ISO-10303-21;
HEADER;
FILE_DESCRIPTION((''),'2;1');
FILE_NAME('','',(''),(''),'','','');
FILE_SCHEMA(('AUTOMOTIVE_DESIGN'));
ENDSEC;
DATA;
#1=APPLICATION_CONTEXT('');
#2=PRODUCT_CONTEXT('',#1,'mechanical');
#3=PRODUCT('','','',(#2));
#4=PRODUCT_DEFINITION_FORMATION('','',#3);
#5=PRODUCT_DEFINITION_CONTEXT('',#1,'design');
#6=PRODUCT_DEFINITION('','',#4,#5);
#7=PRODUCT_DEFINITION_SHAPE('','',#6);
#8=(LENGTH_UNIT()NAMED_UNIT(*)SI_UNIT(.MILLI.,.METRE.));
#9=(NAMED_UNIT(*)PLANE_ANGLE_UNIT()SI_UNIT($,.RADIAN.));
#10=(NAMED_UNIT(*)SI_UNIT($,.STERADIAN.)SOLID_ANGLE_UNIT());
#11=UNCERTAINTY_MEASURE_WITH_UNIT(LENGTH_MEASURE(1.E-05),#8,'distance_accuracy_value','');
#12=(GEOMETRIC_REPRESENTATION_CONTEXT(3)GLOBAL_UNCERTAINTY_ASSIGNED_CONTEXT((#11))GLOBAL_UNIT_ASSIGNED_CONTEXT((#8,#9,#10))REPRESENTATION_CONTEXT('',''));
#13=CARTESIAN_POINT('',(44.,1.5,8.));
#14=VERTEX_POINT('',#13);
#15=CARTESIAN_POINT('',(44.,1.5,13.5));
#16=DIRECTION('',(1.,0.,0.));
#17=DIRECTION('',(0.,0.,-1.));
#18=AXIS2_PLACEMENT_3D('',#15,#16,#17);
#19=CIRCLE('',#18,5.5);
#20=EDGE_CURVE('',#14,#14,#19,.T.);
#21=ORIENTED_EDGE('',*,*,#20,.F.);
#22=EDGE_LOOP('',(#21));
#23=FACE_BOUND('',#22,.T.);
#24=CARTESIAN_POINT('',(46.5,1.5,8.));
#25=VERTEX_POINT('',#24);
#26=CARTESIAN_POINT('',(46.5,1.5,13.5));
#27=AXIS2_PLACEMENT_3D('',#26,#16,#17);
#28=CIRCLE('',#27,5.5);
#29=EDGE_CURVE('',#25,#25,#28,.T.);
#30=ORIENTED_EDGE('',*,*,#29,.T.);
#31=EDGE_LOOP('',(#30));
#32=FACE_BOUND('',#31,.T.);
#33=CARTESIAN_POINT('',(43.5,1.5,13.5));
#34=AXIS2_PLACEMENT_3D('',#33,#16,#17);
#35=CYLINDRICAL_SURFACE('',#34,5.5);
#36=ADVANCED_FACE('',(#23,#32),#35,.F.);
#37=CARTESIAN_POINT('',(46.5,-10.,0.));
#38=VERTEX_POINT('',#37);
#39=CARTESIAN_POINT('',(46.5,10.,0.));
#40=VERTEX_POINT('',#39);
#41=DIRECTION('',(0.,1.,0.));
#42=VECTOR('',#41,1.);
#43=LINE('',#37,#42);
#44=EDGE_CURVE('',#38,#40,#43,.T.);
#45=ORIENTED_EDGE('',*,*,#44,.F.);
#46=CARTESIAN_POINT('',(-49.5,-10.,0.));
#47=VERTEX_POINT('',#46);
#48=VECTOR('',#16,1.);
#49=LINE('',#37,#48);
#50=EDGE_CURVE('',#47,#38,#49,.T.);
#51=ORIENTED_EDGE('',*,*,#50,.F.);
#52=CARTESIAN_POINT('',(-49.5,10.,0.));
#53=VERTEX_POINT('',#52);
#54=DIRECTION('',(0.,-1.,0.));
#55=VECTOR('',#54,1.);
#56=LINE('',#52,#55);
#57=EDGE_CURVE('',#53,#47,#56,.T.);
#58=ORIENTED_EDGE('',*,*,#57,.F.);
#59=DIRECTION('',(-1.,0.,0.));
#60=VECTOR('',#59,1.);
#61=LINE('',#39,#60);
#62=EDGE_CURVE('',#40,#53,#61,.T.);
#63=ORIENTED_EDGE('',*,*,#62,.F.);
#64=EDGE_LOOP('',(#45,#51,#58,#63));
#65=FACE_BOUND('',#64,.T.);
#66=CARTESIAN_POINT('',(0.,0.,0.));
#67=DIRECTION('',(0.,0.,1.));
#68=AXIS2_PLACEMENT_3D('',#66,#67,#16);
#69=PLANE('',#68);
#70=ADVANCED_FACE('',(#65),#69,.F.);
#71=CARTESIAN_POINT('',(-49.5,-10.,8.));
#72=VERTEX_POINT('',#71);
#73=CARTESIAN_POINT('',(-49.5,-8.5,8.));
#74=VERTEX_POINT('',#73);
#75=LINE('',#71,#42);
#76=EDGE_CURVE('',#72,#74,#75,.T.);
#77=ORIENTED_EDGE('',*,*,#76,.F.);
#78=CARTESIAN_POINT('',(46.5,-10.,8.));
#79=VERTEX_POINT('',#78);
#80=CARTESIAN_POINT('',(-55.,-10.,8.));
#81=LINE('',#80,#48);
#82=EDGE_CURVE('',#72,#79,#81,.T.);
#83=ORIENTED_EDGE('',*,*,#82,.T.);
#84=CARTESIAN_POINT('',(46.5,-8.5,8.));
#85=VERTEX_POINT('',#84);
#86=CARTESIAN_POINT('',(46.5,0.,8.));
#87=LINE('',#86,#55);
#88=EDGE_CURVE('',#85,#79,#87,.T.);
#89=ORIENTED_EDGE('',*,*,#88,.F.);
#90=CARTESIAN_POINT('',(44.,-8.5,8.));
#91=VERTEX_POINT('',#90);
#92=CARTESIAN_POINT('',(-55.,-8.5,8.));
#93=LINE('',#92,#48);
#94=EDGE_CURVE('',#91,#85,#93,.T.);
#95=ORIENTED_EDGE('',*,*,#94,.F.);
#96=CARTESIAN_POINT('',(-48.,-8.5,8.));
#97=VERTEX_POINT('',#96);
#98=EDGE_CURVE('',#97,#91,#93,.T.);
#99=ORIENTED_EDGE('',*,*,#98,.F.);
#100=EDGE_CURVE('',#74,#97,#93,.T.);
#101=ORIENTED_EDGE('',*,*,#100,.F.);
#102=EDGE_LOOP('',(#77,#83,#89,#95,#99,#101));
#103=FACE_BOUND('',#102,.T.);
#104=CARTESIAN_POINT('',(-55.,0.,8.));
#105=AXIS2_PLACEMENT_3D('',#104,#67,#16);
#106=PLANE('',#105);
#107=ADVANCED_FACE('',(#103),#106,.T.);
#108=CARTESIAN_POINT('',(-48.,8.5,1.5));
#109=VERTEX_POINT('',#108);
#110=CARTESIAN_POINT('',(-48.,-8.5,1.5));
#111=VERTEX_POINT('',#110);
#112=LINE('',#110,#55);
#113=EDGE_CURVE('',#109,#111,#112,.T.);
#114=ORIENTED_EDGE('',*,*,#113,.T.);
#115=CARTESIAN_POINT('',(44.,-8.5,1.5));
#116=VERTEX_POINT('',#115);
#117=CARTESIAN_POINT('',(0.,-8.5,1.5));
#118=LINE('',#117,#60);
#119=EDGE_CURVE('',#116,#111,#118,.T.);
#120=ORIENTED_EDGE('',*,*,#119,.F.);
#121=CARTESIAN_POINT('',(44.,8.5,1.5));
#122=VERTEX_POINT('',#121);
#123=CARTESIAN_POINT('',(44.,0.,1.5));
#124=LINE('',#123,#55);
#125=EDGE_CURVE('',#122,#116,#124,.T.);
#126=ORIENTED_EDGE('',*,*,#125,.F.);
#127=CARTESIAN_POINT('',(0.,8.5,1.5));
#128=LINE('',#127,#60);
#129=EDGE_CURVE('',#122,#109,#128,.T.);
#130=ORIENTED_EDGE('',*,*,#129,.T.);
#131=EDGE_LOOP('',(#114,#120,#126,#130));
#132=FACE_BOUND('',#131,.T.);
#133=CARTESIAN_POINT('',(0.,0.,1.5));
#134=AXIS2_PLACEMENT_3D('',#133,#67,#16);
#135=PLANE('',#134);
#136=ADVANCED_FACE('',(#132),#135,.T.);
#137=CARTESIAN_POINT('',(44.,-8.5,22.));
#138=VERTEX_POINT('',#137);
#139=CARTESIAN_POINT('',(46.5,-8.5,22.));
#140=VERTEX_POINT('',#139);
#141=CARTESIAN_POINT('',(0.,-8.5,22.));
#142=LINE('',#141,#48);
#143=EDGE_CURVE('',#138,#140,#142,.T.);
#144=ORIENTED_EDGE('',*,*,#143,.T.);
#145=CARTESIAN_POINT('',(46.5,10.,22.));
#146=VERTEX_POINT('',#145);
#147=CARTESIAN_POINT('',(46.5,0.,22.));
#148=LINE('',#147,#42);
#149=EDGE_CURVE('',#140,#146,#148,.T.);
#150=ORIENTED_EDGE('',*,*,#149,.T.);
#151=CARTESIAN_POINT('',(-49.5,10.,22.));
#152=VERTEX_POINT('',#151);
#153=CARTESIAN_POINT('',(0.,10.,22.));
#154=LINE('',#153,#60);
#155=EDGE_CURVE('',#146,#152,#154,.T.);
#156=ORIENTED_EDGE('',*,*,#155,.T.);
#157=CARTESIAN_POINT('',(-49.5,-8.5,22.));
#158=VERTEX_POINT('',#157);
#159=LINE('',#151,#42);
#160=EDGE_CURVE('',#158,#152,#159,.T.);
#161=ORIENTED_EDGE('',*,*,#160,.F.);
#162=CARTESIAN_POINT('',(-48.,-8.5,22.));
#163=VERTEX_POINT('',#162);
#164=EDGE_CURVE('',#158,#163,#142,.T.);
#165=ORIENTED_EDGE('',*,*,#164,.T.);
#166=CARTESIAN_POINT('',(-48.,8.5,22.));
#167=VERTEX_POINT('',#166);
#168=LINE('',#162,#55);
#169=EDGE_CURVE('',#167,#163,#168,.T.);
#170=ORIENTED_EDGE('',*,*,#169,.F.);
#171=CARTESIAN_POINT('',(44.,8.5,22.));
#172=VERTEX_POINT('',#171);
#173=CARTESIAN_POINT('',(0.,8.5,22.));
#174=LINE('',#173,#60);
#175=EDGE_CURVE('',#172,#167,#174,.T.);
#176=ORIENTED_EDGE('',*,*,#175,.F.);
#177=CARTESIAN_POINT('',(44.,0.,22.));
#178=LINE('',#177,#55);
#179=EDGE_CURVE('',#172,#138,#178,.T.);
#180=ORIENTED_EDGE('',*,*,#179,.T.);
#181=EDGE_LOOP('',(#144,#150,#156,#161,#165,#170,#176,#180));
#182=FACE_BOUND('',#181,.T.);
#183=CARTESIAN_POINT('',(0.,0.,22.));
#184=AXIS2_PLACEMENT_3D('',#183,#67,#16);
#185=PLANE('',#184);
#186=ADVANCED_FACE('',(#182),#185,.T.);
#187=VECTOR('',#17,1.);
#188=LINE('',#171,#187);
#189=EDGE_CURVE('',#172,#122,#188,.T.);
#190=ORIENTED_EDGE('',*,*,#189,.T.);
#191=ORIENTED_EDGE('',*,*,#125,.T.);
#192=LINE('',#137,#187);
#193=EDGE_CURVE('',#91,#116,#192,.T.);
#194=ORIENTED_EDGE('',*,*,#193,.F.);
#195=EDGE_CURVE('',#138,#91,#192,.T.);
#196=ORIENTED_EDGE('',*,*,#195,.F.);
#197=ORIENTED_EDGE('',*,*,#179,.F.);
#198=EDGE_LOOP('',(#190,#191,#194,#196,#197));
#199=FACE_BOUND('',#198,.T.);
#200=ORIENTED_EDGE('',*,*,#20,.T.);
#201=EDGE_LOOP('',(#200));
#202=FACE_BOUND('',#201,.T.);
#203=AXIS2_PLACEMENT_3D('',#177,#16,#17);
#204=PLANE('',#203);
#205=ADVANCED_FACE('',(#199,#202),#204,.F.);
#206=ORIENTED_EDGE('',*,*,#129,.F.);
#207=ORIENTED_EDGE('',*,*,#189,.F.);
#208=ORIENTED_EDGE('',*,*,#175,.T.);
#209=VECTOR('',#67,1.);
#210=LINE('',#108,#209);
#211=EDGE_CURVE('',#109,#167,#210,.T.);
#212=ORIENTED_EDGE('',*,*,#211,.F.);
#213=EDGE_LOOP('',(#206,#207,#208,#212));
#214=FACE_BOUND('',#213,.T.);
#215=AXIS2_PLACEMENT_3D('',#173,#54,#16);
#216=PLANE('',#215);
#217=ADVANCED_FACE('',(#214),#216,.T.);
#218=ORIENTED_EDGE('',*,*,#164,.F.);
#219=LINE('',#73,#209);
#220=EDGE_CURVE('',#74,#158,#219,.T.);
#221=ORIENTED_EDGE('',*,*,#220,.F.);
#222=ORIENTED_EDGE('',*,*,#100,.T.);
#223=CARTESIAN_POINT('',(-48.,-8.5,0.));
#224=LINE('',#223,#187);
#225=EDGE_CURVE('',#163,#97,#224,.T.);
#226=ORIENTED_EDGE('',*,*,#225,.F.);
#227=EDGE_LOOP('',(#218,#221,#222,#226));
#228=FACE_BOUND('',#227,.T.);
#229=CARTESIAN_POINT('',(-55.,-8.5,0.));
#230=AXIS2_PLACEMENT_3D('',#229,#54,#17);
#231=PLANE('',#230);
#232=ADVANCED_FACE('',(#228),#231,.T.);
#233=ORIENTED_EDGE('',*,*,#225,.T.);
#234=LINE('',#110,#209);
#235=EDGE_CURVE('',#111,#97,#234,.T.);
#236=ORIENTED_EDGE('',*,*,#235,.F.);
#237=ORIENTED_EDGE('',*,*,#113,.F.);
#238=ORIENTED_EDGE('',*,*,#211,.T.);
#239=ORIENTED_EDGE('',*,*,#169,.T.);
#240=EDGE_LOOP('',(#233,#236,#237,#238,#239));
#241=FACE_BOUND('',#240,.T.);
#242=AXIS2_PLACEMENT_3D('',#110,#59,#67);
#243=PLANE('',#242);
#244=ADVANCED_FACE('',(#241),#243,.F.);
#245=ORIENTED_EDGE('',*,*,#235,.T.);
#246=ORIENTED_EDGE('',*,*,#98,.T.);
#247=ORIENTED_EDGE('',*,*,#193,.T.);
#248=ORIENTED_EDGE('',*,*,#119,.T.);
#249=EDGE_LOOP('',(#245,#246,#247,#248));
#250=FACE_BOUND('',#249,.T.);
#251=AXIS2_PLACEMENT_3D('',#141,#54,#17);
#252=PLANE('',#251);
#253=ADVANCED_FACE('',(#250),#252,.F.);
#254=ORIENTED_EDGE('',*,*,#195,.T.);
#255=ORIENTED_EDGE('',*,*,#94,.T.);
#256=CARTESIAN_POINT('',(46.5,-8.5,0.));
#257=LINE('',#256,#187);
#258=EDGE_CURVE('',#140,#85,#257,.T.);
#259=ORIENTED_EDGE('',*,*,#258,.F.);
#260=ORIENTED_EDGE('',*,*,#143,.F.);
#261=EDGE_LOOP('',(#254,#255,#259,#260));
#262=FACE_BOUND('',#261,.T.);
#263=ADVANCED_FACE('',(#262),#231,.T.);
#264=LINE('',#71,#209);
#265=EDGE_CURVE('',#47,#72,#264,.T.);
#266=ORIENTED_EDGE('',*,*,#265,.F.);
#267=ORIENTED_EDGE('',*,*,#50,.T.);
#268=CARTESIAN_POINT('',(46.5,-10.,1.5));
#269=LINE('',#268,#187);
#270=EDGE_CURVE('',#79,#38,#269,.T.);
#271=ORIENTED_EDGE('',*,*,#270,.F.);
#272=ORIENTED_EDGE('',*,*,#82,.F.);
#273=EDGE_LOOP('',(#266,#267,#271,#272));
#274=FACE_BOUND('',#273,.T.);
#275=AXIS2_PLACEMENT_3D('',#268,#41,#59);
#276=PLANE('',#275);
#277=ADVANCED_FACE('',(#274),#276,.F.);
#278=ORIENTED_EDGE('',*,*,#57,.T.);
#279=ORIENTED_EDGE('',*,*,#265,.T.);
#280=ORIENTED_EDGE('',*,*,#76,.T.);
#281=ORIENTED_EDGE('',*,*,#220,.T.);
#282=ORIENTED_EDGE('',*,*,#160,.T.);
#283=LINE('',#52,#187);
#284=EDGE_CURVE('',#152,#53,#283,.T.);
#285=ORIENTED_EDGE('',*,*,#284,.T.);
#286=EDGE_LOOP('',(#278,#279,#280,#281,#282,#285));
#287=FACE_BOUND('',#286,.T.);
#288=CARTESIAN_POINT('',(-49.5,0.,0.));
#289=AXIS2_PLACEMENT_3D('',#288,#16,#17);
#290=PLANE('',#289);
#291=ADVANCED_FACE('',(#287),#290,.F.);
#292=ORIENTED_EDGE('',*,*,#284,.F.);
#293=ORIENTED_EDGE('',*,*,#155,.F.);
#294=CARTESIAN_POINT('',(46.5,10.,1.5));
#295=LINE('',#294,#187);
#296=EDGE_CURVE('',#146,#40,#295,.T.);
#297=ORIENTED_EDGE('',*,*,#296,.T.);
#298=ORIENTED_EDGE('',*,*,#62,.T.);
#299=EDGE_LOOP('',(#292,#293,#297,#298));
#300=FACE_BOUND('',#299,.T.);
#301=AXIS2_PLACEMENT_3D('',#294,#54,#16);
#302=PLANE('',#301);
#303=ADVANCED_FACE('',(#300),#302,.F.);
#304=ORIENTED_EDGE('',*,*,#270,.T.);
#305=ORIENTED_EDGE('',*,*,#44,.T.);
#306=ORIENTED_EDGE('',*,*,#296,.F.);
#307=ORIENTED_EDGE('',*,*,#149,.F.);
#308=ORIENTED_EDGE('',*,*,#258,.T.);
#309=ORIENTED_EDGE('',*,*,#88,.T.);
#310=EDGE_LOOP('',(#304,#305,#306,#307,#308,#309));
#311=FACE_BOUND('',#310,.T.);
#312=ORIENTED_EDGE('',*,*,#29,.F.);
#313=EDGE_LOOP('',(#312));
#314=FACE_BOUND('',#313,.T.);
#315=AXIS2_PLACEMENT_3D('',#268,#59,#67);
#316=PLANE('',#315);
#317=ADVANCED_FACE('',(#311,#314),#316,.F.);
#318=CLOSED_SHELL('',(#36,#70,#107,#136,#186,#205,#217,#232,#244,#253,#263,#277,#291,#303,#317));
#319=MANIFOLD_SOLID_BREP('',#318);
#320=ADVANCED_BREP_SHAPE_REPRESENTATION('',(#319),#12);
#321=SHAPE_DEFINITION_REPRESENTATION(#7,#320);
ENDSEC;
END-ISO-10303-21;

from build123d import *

# Parameters (mm, degrees)
SKETCH_1_W          = 93
SKETCH_1_H          = 20
EXTRUDE_1_DEPTH     = 1.5
SKETCH_2_W          = 93
SKETCH_2_H          = 20
SKETCH_2_W_2        = 89
SKETCH_2_H_2        = 17
EXTRUDE_2_DEPTH     = 20.5
SKETCH_3_W          = 14
SKETCH_3_H          = 1.5
CUT_EXTRUDE_1_DEPTH = 101.5
SKETCH_4_R          = 5.5
CUT_EXTRUDE_4_DEPTH = 3
EXTRUDE_3_DEPTH     = 3
SKETCH_7_W          = 3
SKETCH_7_H          = 17
CUT_EXTRUDE_6_DEPTH = 20.5


with BuildPart() as part:
    # Эскиз1 → Бобышка-Вытянуть1 (new body)
    with BuildSketch(Plane.XY):
        Rectangle(SKETCH_1_W, SKETCH_1_H)
    extrude(amount=EXTRUDE_1_DEPTH)

    # Эскиз2 → Бобышка-Вытянуть2 (add)
    with BuildSketch(Plane.XY.offset(1.5)):
        Rectangle(SKETCH_2_W, SKETCH_2_H)
        with Locations((-0.5, 0)):
            Rectangle(SKETCH_2_W_2, SKETCH_2_H_2, mode=Mode.SUBTRACT)
    extrude(amount=EXTRUDE_2_DEPTH)

    # Эскиз3 → Вырез-Вытянуть1 (cut)
    with BuildSketch(Plane(origin=(46.5, 0, 0), x_dir=(0, 0, -1), z_dir=(1, 0, 0))):
        with Locations((-15, -9.25)):
            Rectangle(SKETCH_3_W, SKETCH_3_H)
    extrude(amount=-CUT_EXTRUDE_1_DEPTH, mode=Mode.SUBTRACT)

    # Эскиз4 → Вырез-Вытянуть4 (cut)
    with BuildSketch(Plane(origin=(46.5, 0, 0), x_dir=(0, 0, -1), z_dir=(1, 0, 0))):
        with Locations((-13.5, 1.5)):
            Circle(SKETCH_4_R)
    extrude(amount=-CUT_EXTRUDE_4_DEPTH, mode=Mode.SUBTRACT)

    # Эскиз6 → Бобышка-Вытянуть3 (add)
    with BuildSketch(Plane.ZY.offset(46.5)):
        Polygon((0, 10), (22, 10), (22, -8.5), (8, -8.5), (8, -10), (0, -10), (0, -8.5), align=None)
    extrude(amount=EXTRUDE_3_DEPTH)

    # Эскиз7 → Вырез-Вытянуть6 (cut)
    with BuildSketch(Plane.XY.offset(22)):
        with Locations((-46.5, 0)):
            Rectangle(SKETCH_7_W, SKETCH_7_H)
    extrude(amount=-CUT_EXTRUDE_6_DEPTH, mode=Mode.SUBTRACT)


solid = part.part
